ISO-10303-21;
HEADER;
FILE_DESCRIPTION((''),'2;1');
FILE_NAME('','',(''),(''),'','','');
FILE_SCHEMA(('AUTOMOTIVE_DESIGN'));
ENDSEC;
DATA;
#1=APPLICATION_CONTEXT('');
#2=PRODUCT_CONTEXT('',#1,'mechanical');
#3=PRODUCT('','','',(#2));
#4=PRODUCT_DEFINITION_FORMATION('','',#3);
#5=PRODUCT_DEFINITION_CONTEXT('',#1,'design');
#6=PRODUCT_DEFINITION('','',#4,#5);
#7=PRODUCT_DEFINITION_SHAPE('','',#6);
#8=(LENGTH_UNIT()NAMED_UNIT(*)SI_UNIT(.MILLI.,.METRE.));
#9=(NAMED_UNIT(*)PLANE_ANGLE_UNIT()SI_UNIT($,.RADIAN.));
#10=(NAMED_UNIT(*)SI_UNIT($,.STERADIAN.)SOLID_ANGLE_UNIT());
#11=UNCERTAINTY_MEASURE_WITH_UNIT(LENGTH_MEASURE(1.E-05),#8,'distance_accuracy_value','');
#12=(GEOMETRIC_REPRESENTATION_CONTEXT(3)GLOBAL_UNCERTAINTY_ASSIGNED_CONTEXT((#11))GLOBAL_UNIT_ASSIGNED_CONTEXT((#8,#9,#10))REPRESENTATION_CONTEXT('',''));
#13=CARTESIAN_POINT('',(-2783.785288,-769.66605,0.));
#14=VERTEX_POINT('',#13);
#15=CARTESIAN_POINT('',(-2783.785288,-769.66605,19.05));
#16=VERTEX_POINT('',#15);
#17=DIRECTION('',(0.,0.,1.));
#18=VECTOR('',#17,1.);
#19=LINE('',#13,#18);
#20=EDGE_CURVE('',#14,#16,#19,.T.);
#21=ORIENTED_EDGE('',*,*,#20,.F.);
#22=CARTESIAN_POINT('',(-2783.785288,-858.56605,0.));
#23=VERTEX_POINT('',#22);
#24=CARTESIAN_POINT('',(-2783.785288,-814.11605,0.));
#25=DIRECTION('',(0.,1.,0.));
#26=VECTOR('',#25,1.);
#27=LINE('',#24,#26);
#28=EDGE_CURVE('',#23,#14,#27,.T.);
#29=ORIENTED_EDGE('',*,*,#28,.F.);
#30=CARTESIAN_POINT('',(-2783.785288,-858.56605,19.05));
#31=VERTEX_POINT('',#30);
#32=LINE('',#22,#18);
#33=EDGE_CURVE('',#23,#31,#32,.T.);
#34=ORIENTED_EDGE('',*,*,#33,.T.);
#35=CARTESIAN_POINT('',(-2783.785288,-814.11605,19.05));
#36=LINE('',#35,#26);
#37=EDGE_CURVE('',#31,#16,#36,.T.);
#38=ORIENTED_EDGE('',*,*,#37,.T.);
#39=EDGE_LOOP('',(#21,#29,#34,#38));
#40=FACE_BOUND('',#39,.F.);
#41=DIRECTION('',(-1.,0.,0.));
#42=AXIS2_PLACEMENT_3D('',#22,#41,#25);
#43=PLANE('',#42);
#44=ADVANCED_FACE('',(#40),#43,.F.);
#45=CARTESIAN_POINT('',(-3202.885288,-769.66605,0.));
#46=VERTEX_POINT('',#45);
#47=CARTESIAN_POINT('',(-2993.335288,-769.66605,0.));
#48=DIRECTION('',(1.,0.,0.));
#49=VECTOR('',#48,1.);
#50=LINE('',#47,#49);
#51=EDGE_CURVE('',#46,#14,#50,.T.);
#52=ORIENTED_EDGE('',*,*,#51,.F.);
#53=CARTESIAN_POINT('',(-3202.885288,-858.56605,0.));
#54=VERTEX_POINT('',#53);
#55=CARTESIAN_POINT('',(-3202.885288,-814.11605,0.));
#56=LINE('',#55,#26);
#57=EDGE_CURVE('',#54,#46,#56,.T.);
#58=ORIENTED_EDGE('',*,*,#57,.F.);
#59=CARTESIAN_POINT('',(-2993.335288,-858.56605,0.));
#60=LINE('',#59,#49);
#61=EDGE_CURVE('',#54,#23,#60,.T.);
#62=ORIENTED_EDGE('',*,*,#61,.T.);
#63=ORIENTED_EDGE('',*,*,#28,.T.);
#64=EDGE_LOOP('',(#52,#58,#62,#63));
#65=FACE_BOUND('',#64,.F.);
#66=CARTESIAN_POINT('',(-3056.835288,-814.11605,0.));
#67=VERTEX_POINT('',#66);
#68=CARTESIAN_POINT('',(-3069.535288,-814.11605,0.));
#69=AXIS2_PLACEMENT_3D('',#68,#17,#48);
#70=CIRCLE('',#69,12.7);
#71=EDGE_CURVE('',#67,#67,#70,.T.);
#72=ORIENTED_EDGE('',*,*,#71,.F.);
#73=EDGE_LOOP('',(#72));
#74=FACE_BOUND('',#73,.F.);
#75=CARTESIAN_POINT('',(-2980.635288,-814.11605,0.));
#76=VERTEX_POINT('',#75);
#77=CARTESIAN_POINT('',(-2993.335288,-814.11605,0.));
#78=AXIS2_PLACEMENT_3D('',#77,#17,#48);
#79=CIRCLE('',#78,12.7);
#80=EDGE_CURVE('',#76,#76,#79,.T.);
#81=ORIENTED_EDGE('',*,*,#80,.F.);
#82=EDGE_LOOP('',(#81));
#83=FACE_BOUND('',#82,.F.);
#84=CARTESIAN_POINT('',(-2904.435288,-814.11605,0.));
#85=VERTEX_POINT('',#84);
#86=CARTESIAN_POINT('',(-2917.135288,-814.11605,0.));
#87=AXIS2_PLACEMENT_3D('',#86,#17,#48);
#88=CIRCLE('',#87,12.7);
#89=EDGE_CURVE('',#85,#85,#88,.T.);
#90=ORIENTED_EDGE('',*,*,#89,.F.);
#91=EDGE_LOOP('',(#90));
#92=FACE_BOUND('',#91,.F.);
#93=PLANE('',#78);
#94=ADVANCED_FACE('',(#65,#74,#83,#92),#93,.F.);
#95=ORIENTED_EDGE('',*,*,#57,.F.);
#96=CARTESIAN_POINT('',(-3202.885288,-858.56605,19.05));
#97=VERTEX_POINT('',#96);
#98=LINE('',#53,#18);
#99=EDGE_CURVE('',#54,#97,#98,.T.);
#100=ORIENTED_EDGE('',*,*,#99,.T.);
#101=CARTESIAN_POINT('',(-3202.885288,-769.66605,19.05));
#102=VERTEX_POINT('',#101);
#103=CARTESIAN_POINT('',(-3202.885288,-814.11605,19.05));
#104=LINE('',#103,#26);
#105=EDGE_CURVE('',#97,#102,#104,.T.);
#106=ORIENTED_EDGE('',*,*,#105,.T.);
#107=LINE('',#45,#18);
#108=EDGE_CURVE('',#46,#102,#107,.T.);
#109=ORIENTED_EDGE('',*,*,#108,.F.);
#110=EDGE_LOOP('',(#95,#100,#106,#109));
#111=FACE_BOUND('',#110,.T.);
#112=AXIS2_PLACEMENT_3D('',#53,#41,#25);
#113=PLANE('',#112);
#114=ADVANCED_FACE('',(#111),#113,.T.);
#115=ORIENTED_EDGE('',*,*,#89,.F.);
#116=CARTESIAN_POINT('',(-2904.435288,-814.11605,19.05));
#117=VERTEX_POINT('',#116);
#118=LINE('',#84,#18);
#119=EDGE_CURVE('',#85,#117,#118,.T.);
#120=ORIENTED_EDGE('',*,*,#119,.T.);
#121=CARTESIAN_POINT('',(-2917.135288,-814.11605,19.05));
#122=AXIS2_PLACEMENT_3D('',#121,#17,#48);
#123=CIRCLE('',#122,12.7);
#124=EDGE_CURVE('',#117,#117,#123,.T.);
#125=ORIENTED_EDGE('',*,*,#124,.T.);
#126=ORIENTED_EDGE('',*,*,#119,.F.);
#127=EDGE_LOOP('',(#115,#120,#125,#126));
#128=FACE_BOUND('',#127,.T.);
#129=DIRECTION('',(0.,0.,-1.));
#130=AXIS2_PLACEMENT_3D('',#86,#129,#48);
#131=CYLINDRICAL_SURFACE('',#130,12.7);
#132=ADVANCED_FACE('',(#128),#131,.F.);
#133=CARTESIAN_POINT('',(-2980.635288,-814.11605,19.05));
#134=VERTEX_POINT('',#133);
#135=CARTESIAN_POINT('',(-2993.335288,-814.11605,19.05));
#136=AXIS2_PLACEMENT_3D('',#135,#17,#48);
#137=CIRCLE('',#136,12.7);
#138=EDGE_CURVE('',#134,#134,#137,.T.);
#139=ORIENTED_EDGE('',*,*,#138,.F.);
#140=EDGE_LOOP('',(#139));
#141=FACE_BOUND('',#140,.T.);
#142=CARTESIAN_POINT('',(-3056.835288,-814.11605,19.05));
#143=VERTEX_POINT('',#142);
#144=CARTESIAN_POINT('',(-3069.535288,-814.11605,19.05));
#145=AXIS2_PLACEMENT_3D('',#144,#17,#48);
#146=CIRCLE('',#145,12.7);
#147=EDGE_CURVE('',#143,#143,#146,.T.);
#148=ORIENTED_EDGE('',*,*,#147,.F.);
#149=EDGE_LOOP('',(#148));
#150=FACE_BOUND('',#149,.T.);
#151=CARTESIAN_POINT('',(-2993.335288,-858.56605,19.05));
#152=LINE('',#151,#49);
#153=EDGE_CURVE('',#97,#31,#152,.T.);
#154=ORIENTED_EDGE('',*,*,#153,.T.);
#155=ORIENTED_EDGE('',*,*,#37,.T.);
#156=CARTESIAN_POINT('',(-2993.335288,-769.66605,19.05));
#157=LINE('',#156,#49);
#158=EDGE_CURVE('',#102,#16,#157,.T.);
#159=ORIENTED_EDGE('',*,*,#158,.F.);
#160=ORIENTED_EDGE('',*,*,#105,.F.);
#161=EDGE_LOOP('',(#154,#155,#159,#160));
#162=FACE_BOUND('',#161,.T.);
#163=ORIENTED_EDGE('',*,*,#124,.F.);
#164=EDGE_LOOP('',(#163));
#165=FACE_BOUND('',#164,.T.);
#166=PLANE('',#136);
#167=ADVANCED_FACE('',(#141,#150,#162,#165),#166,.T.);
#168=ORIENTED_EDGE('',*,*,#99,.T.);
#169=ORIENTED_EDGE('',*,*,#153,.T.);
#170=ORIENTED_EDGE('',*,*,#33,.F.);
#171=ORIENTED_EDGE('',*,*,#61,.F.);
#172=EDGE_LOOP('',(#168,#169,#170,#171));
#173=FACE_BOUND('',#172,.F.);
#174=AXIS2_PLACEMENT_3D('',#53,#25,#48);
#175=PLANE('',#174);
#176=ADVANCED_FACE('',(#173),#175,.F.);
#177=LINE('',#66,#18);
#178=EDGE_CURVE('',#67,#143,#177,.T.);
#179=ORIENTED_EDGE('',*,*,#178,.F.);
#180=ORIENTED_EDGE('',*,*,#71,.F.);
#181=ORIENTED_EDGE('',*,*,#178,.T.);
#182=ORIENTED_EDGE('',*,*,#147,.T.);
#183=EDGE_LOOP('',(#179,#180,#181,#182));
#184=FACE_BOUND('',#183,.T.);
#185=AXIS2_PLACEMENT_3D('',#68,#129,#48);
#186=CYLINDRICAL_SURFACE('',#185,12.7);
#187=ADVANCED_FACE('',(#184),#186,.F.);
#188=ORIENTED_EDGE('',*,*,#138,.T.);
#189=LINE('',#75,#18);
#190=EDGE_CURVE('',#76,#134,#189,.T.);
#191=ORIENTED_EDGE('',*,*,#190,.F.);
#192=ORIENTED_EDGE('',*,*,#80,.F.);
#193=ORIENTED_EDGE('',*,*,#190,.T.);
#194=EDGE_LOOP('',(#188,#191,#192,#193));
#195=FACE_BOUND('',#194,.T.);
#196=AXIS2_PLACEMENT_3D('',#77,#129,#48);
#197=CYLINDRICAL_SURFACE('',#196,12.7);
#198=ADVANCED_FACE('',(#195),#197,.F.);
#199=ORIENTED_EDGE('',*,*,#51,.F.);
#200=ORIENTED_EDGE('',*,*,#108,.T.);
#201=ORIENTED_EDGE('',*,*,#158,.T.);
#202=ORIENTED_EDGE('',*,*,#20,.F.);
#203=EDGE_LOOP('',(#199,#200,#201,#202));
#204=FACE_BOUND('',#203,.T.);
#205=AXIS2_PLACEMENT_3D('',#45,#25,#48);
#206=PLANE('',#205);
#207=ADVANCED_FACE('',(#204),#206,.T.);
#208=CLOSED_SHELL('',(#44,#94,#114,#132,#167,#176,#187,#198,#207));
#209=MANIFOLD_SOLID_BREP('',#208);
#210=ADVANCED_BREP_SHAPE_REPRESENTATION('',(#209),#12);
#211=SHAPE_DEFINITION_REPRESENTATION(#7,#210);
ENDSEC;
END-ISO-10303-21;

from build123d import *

# Parameters (mm, degrees)
F0_W     = 419.1
F0_H     = 88.9
F0_R     = 12.7
F1_DEPTH = 19.05


with BuildPart() as f1:
    # F0 (on Top) → F1 (new body)
    with BuildSketch(Plane.XY):
        with Locations((-2993.335288, -814.11605)):
            Rectangle(F0_W, F0_H)
        with Locations((-3069.535288, -814.11605)):
            Circle(F0_R, mode=Mode.SUBTRACT)
        with Locations((-2993.335288, -814.11605)):
            Circle(F0_R, mode=Mode.SUBTRACT)
        with Locations((-2917.135288, -814.11605)):
            Circle(F0_R, mode=Mode.SUBTRACT)
    extrude(amount=F1_DEPTH)


solid = f1.part
